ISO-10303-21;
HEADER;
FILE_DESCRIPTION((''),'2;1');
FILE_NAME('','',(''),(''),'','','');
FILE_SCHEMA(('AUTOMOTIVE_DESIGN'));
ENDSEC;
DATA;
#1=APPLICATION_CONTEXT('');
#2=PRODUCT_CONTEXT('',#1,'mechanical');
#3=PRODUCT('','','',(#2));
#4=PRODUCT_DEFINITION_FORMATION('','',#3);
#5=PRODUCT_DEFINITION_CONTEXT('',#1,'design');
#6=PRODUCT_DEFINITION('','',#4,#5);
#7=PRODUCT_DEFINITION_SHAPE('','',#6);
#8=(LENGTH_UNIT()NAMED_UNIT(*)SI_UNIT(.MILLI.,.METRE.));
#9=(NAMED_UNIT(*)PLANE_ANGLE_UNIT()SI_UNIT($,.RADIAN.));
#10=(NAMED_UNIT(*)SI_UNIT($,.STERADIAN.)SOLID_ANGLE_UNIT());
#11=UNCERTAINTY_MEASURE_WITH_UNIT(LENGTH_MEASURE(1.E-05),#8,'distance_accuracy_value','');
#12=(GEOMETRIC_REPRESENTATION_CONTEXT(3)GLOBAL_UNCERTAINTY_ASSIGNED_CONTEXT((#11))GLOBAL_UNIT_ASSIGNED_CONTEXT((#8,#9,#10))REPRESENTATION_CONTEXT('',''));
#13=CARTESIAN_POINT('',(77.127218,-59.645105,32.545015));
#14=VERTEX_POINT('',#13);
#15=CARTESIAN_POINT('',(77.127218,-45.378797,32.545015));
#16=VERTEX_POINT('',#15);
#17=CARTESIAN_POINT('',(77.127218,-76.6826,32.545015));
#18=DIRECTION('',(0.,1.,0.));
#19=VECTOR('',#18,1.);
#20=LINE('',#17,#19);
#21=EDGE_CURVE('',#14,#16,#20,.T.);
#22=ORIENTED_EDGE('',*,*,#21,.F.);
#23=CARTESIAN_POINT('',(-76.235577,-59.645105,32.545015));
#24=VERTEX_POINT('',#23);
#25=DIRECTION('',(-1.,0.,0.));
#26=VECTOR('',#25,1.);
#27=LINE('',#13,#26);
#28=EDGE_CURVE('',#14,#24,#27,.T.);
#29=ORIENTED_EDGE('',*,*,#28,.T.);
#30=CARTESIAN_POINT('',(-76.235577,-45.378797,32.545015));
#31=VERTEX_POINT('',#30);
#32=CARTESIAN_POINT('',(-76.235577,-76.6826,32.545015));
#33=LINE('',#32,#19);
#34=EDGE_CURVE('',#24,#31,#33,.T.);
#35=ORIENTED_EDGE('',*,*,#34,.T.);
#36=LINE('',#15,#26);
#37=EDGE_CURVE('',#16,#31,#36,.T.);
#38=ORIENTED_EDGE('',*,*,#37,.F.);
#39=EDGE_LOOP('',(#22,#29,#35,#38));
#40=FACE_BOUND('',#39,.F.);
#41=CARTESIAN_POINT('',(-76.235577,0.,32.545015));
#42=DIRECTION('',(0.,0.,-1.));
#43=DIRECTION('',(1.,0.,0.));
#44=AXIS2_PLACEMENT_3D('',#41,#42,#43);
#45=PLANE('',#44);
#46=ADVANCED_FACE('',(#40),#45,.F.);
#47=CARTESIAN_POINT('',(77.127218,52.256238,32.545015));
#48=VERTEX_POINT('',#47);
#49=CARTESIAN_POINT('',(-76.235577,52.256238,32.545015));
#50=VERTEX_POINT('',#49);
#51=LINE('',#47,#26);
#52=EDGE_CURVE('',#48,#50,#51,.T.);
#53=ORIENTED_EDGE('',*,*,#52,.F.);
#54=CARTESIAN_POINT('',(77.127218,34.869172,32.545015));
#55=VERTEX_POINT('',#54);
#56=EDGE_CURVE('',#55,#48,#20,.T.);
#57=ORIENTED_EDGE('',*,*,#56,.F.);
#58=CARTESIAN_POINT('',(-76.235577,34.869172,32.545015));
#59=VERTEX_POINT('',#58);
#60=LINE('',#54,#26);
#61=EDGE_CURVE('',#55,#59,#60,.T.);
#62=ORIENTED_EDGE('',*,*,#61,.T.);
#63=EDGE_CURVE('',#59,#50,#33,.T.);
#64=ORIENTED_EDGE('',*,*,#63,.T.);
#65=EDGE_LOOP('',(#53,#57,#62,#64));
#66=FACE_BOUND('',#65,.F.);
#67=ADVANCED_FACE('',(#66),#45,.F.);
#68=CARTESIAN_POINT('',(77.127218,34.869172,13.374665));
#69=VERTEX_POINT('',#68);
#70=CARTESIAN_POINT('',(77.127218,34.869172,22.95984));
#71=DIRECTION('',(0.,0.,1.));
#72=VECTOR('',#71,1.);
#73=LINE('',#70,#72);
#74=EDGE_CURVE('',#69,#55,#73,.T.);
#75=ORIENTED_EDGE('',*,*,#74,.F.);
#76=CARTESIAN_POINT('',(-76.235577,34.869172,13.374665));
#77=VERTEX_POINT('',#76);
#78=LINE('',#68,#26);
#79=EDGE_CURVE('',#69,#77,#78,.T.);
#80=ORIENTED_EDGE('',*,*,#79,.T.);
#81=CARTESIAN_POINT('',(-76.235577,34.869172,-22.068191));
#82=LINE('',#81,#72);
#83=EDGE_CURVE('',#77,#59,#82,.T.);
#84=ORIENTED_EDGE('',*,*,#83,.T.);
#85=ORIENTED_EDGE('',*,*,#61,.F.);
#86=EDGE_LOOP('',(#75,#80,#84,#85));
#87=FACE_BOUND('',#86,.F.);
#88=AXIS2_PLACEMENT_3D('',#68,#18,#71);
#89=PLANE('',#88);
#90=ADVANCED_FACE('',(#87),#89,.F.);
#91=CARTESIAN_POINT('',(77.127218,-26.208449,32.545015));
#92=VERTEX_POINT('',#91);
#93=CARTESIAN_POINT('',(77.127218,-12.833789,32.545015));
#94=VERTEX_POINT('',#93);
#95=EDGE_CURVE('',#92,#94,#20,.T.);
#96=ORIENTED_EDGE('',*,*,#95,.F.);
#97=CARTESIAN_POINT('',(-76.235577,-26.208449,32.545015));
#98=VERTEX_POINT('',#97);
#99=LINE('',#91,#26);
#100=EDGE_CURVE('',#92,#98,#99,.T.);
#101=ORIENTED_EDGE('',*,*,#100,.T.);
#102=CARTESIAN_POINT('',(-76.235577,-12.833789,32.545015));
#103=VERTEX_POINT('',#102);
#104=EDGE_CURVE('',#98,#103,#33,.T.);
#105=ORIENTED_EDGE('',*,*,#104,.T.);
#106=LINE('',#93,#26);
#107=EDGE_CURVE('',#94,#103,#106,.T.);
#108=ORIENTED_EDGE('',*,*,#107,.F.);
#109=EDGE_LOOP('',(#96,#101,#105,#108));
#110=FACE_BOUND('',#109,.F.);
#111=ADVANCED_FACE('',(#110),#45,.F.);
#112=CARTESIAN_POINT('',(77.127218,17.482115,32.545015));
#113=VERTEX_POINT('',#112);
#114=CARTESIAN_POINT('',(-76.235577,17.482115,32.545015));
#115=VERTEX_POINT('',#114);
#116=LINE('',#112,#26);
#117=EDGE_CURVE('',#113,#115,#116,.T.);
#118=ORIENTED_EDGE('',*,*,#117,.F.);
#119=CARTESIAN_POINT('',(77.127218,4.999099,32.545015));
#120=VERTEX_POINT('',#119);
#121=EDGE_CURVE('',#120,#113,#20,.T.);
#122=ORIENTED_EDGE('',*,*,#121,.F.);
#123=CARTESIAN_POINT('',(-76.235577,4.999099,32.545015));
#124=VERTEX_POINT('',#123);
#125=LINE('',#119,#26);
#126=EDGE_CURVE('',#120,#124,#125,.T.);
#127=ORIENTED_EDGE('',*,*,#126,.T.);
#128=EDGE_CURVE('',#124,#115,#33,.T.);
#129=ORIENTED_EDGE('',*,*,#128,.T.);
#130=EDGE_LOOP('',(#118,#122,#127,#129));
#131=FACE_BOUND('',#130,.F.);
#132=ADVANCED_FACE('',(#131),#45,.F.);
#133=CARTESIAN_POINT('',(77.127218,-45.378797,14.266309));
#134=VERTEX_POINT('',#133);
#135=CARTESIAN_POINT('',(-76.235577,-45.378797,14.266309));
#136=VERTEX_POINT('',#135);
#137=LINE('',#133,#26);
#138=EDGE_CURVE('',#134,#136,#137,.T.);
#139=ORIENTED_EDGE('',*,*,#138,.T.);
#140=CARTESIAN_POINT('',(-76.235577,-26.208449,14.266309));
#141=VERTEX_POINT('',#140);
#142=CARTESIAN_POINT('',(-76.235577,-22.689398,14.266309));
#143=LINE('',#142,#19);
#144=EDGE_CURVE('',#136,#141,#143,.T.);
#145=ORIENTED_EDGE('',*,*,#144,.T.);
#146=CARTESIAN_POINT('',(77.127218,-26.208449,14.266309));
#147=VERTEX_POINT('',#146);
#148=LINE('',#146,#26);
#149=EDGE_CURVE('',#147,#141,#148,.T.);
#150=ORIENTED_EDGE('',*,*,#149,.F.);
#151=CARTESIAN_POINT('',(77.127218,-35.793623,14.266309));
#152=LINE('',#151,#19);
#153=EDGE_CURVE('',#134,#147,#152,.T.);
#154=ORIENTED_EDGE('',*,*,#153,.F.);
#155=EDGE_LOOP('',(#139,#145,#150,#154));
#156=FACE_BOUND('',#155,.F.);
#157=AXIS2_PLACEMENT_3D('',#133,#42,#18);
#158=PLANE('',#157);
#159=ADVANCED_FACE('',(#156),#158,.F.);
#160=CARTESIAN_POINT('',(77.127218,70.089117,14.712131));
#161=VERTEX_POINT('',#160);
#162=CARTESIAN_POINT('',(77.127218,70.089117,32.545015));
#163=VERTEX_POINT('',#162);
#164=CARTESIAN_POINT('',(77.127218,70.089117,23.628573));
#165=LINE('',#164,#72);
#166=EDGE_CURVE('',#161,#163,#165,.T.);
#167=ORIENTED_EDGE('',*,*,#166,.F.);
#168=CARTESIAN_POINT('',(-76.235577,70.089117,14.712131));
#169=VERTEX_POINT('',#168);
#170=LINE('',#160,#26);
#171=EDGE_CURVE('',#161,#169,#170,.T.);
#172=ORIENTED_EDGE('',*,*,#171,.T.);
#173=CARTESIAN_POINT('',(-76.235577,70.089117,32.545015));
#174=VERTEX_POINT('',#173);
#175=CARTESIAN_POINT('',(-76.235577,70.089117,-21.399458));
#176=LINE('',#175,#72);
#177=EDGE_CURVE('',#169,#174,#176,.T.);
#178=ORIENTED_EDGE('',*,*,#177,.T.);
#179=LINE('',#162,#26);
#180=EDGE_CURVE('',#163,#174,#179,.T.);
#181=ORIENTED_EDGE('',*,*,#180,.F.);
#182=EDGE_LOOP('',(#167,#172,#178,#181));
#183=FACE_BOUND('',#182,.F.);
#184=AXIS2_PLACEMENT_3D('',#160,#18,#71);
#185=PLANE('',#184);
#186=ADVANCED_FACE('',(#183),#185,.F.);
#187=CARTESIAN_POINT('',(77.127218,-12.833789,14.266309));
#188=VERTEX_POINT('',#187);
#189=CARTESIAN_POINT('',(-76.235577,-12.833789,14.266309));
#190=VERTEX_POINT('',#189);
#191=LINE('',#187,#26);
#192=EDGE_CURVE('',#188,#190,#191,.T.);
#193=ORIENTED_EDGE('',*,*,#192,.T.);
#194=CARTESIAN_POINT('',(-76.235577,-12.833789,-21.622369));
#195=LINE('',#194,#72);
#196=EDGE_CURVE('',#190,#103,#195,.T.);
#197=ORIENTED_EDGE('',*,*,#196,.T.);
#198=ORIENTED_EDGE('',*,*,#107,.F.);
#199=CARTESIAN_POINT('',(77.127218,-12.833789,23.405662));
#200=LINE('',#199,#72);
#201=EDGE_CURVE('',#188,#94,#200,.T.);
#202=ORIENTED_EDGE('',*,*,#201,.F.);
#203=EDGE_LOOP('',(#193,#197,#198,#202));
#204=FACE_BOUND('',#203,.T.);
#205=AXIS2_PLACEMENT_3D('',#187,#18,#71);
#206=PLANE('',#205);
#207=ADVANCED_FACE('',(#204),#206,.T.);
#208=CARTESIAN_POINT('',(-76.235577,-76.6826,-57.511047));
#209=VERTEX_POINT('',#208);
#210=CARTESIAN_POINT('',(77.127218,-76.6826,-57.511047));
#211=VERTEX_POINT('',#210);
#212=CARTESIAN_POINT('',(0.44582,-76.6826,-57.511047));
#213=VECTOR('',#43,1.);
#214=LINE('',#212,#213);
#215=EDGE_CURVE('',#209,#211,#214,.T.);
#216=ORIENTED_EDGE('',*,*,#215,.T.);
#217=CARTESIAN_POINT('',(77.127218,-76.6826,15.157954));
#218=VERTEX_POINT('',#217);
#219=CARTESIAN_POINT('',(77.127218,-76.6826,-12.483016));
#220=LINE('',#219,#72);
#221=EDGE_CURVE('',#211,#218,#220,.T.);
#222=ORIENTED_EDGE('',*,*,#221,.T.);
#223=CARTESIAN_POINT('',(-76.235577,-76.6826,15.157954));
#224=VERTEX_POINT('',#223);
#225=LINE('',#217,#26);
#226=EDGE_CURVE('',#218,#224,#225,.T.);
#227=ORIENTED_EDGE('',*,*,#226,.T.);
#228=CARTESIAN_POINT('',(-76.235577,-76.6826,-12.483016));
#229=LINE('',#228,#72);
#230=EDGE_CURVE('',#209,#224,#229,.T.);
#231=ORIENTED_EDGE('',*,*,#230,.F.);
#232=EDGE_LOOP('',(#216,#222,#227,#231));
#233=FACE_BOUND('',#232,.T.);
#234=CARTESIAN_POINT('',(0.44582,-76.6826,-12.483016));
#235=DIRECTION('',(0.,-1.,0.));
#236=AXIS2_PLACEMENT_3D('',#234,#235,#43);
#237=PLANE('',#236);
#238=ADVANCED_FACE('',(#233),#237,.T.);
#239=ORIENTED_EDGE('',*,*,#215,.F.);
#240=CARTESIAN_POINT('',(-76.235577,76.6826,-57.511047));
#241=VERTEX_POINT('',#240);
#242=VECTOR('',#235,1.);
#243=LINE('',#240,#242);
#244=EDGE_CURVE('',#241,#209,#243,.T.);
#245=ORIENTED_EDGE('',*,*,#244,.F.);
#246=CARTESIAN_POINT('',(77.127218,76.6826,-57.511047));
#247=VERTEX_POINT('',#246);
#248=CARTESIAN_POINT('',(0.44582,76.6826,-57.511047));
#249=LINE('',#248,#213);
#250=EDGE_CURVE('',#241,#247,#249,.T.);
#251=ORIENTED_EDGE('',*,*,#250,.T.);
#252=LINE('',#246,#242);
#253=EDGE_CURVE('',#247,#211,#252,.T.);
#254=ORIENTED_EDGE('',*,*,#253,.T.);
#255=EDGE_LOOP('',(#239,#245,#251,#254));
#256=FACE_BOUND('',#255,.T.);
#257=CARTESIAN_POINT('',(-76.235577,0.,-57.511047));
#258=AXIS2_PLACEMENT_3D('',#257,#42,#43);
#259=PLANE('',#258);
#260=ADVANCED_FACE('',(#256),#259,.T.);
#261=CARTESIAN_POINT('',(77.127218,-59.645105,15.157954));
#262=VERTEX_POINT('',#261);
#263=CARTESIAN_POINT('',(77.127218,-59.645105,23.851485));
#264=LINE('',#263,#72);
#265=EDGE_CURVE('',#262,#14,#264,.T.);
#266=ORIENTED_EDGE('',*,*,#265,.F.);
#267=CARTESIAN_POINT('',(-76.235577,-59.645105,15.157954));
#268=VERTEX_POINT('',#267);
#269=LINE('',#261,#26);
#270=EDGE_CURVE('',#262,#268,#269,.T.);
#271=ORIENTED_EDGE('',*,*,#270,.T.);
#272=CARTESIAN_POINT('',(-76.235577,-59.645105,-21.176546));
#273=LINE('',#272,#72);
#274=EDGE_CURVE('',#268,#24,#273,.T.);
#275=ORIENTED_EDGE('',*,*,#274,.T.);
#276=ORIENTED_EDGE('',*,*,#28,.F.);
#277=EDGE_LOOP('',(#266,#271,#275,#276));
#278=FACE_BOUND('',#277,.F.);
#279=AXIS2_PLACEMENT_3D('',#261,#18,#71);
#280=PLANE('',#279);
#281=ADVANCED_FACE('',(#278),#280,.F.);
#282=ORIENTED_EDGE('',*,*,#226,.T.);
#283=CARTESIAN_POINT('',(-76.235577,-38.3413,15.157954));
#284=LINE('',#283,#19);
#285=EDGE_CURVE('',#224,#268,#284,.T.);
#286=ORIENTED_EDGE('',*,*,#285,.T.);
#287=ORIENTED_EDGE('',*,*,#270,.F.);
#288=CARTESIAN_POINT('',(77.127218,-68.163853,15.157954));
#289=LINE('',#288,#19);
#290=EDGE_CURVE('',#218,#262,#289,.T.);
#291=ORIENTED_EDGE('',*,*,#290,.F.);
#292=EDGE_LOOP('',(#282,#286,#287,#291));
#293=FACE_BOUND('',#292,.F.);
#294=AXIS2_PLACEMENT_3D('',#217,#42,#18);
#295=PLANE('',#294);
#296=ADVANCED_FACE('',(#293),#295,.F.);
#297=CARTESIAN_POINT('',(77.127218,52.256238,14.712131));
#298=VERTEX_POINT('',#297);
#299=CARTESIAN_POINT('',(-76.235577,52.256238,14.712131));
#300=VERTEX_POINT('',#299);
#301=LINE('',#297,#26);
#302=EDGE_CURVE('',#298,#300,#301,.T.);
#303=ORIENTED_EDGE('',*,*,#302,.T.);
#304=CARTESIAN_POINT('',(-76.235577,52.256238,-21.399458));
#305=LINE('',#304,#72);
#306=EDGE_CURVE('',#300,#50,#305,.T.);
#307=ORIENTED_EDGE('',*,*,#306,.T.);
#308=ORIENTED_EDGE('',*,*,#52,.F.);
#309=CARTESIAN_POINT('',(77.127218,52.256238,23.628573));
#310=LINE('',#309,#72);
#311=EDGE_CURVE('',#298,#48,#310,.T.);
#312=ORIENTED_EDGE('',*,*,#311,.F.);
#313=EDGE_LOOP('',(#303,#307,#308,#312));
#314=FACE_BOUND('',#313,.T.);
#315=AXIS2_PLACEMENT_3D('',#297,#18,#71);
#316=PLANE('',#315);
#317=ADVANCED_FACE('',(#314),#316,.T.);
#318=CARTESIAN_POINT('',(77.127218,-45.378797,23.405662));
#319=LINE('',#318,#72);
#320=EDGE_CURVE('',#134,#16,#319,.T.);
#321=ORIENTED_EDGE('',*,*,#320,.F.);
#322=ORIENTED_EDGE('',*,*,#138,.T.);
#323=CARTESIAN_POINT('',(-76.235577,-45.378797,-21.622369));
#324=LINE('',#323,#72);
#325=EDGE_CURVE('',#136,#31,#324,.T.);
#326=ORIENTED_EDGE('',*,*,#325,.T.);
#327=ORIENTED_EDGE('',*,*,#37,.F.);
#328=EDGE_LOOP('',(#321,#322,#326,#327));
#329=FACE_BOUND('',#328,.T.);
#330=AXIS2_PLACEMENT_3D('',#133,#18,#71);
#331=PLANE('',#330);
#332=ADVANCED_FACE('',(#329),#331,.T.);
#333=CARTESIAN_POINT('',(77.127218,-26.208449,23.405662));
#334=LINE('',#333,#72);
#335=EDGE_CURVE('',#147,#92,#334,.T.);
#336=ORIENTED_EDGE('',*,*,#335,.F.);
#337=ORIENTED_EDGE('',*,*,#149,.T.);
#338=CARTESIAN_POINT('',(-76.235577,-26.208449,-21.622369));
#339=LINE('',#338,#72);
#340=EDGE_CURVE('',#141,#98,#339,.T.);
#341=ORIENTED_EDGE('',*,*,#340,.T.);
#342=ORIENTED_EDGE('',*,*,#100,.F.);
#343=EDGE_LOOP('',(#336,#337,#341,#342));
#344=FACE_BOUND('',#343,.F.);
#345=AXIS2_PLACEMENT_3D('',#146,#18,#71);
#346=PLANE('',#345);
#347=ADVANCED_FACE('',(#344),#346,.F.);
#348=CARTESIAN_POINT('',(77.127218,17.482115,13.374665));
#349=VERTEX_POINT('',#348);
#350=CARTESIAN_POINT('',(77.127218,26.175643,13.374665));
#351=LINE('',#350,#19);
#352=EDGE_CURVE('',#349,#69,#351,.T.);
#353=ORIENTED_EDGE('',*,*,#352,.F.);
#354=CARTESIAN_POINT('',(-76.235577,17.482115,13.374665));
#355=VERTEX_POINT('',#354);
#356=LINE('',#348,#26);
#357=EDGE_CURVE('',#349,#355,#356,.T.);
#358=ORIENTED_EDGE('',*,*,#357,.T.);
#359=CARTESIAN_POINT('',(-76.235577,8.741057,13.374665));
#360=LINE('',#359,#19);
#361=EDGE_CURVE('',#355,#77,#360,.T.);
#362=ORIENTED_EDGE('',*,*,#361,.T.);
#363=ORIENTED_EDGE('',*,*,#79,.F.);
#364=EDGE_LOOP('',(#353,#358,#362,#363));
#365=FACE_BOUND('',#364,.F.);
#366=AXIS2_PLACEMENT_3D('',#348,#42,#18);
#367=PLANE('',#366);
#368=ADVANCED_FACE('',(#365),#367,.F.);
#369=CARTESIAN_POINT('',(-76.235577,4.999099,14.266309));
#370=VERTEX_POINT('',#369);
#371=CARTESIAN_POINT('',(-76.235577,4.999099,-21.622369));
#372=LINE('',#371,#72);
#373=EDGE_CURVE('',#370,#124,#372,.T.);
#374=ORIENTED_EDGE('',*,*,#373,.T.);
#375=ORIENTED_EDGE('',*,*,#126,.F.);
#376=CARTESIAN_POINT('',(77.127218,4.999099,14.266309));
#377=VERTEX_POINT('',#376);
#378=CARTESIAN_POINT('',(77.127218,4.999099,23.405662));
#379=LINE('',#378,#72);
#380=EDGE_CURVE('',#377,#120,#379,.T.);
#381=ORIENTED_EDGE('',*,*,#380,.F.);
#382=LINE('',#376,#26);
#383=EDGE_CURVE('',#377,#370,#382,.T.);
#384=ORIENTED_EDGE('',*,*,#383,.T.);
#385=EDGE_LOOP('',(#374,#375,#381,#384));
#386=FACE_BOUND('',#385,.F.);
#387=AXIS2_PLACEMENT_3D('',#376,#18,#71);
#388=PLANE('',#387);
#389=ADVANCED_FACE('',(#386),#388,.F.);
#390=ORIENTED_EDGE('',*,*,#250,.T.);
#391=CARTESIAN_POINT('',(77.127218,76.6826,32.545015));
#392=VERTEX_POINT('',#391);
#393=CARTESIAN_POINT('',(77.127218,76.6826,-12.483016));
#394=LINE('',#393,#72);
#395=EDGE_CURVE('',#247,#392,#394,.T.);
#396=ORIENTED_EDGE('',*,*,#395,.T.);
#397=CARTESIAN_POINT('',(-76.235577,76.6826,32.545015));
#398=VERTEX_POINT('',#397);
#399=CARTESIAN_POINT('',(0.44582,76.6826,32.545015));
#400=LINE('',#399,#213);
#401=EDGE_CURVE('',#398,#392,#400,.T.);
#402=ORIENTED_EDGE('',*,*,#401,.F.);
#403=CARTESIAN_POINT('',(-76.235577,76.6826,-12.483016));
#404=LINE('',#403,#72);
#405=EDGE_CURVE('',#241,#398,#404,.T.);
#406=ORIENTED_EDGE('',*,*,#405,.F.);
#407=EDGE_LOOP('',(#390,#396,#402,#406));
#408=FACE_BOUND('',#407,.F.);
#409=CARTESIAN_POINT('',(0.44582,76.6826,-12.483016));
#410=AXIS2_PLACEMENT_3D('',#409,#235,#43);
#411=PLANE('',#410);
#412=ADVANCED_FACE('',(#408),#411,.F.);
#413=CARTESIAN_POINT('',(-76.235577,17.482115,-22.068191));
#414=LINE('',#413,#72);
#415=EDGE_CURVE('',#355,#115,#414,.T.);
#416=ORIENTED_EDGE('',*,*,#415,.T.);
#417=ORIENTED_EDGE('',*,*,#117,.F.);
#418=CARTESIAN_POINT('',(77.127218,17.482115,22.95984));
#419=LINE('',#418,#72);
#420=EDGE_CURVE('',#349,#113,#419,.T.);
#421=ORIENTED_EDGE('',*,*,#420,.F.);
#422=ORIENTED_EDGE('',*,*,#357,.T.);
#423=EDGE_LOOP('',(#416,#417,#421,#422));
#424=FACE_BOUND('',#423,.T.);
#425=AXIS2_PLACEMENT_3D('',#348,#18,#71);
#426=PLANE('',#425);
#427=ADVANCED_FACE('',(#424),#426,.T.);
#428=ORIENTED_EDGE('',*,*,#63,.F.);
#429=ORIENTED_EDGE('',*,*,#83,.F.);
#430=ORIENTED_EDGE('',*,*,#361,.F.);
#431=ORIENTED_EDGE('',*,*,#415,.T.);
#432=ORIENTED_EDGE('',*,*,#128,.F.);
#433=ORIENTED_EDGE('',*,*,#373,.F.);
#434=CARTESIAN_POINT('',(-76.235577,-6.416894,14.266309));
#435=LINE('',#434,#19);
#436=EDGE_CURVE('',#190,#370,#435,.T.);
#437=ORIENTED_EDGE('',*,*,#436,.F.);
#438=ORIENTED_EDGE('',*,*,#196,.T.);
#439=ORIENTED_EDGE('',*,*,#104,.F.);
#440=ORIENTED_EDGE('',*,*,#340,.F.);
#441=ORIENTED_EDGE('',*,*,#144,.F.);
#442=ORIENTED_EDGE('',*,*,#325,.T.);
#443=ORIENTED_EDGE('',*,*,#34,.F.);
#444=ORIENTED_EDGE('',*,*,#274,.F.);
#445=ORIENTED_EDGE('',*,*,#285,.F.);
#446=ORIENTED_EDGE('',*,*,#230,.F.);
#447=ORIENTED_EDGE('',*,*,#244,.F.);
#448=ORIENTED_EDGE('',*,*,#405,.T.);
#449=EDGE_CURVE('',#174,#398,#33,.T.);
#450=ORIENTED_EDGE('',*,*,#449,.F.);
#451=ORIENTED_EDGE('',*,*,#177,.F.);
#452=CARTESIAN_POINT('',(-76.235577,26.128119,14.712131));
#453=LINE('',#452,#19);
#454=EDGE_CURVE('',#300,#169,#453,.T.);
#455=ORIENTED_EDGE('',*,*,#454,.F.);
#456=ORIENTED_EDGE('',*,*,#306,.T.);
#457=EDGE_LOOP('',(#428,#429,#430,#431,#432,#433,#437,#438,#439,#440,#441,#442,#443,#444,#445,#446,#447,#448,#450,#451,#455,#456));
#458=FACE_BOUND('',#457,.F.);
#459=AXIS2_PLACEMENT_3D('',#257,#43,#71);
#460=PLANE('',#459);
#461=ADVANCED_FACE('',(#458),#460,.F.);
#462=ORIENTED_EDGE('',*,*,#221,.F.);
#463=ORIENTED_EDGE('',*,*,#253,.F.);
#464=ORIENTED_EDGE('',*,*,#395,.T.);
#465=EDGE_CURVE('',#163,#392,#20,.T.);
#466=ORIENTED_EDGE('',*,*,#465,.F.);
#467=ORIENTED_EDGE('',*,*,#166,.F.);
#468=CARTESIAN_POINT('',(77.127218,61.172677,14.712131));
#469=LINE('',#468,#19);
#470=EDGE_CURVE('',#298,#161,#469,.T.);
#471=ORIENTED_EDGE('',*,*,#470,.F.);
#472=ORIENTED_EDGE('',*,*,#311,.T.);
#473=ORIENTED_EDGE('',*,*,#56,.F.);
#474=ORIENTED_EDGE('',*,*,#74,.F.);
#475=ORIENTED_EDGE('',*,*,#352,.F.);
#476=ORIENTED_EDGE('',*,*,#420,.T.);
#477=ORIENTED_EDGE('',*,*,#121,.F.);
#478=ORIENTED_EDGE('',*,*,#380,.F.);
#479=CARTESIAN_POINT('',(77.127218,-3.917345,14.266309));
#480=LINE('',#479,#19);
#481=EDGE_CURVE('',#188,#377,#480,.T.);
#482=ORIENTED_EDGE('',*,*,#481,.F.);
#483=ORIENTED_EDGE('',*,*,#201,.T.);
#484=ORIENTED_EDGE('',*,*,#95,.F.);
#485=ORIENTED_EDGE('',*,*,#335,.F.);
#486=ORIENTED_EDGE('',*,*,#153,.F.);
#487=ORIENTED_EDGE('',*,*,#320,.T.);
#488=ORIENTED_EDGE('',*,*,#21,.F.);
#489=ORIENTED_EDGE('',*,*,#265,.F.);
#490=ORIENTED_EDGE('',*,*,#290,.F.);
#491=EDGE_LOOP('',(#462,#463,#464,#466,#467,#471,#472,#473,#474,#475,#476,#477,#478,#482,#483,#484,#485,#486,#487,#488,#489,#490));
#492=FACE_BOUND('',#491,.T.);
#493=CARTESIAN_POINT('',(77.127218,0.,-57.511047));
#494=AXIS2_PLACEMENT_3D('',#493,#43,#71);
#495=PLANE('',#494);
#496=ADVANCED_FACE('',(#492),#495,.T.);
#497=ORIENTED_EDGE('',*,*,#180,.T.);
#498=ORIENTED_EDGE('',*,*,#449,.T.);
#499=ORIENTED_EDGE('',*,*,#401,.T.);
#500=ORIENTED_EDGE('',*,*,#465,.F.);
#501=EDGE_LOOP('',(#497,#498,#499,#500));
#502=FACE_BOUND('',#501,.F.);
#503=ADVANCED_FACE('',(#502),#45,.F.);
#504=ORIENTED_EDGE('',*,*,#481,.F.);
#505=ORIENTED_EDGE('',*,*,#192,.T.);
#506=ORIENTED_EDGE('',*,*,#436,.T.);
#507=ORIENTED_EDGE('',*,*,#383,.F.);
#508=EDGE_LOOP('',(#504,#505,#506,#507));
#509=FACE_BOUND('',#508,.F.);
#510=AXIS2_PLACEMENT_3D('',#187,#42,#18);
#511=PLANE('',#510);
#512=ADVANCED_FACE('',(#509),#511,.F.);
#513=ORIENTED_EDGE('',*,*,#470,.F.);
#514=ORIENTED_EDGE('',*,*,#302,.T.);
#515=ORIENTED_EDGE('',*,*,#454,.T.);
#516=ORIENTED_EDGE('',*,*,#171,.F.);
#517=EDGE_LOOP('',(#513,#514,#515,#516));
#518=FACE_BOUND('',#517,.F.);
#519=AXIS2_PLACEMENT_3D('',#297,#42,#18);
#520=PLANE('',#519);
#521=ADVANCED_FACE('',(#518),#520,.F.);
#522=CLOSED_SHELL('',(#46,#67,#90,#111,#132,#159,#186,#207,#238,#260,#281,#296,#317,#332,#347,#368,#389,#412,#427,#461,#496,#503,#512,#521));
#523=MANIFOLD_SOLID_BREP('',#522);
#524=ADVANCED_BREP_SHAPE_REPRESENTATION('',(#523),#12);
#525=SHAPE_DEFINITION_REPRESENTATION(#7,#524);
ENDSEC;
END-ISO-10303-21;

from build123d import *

# Parameters (mm, degrees)
F0_W     = 153.3627957106
F0_H     = 90.0560617447
F1_DEPTH = 76.6826
F2_W     = 17.0374948467
F2_H     = 17.3870613798
F2_W_2   = 19.1703476012
F2_H_2   = 18.2787058875
F2_W_3   = 17.8328882903
F2_W_4   = 17.3870567232
F2_H_3   = 19.1703503951
F2_W_5   = 17.8328789771
F2_H_4   = 17.832884565
F3_DEPTH = 228.6


with BuildPart() as f1:
    # F0 (on Front) → F1 (new body, symmetric)
    with BuildSketch(Plane.XZ):
        with Locations((0.4458203912, -12.4830156565)):
            Rectangle(F0_W, F0_H)
    extrude(amount=F1_DEPTH, both=True)

    # F2 (on face) → F3 (cut)
    with BuildSketch(Plane.YZ.offset(77.1272182465)):
        with Locations((-68.1638525767, 23.8514845259)):
            Rectangle(F2_W, F2_H)
        with Locations((-35.7936229557, 23.4056622721)):
            Rectangle(F2_W_2, F2_H_2)
        with Locations((-3.9173448458, 23.4056622721)):
            Rectangle(F2_W_3, F2_H_2)
        with Locations((26.1756433174, 22.9598400183)):
            Rectangle(F2_W_4, F2_H_3)
        with Locations((61.172677204, 23.6285729334)):
            Rectangle(F2_W_5, F2_H_4)
    extrude(amount=-F3_DEPTH, mode=Mode.SUBTRACT)


solid = f1.part
